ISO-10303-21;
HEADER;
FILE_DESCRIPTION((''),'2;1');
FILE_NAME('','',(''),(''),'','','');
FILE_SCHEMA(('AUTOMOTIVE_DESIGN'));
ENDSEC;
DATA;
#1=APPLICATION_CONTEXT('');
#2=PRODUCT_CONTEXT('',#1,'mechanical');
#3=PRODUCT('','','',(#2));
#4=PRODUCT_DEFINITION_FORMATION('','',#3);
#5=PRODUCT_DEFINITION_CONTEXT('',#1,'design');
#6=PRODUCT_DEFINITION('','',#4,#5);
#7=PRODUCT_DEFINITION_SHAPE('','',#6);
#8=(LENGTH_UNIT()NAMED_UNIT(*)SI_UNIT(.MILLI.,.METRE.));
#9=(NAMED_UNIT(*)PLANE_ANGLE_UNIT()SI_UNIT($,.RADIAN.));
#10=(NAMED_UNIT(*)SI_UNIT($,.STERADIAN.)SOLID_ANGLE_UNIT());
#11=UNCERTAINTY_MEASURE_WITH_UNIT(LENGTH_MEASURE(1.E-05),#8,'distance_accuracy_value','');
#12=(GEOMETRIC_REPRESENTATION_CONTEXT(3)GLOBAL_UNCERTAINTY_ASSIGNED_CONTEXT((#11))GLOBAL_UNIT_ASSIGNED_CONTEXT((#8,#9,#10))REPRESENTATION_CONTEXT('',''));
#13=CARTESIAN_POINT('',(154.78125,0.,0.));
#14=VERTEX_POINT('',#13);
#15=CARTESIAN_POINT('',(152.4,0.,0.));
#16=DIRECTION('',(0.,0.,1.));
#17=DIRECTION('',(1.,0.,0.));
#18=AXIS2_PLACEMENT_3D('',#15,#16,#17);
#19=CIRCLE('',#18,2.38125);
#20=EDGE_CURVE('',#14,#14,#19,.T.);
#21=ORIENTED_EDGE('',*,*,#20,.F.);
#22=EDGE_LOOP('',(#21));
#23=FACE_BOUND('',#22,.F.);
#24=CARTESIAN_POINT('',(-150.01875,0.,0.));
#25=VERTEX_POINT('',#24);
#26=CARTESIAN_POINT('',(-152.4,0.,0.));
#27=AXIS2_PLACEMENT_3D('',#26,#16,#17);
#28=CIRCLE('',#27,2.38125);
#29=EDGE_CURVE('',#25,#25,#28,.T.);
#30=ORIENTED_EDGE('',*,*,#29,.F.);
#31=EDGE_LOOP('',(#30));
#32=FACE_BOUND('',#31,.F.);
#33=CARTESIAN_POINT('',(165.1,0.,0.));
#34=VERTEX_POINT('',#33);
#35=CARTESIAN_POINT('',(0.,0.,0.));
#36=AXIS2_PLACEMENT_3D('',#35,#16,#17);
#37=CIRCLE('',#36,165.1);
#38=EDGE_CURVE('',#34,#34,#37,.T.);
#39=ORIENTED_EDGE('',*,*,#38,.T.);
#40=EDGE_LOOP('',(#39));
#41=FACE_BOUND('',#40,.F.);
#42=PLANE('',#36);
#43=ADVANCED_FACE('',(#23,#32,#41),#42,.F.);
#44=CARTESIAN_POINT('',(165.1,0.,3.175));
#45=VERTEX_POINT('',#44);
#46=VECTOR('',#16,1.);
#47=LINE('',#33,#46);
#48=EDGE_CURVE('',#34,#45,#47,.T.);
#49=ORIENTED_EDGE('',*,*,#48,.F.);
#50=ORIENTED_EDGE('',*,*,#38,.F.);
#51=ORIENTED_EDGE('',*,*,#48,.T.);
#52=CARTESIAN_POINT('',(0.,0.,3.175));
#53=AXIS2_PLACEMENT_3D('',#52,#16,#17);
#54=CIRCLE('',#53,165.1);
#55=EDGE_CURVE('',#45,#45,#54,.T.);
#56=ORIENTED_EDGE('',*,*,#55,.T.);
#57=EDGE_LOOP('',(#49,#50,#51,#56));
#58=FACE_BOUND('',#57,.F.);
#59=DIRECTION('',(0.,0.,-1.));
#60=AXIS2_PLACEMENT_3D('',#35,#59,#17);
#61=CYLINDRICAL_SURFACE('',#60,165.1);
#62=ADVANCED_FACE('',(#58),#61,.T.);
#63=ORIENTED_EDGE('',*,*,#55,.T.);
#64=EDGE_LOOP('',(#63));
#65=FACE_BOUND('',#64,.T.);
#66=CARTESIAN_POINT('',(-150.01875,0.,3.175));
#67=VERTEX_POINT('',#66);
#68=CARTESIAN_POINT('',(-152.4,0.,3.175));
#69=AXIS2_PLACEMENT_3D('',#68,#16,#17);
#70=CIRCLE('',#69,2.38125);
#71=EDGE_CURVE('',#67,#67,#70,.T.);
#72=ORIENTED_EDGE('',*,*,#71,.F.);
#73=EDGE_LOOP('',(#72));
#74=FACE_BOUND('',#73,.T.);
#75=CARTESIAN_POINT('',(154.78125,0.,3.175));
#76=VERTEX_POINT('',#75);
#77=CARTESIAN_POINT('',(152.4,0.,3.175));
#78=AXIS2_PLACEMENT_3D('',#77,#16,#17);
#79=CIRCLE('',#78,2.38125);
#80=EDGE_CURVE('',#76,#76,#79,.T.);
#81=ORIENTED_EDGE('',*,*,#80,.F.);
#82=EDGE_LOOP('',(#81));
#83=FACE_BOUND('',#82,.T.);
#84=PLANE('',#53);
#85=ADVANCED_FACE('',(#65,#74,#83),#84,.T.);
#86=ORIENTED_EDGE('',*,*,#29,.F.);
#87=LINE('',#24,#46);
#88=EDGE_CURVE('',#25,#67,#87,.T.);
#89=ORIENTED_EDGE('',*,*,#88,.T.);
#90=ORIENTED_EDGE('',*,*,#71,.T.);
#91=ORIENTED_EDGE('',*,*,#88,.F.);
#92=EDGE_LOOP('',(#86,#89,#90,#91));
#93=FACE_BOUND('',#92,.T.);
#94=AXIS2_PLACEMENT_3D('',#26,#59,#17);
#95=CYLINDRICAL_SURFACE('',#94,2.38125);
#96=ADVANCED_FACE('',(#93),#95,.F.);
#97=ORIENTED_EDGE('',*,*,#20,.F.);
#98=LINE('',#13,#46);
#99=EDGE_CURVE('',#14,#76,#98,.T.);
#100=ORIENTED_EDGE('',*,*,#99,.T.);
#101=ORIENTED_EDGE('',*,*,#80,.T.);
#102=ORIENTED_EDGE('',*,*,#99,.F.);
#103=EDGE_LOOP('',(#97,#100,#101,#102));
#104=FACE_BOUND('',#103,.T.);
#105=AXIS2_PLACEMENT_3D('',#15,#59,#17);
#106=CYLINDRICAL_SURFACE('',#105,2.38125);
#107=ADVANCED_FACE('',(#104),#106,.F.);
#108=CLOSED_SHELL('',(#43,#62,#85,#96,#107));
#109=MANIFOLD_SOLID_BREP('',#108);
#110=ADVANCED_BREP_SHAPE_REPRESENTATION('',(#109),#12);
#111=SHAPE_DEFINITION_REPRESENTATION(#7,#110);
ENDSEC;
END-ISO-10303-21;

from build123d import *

# Parameters (mm, degrees)
F0_R     = 165.1
F0_R_2   = 2.38125
F0_R_3   = 139.7
F1_DEPTH = 3.175


with BuildPart() as f1:
    # F0 (on Top) → F1 (new body)
    with BuildSketch(Plane.XY):
        Circle(F0_R)
        with Locations((-152.4, 0)):
            Circle(F0_R_2, mode=Mode.SUBTRACT)
        Circle(F0_R_3, mode=Mode.SUBTRACT)
        with Locations((152.4, 0)):
            Circle(F0_R_2, mode=Mode.SUBTRACT)
        Circle(F0_R_3)
    extrude(amount=F1_DEPTH)


solid = f1.part
